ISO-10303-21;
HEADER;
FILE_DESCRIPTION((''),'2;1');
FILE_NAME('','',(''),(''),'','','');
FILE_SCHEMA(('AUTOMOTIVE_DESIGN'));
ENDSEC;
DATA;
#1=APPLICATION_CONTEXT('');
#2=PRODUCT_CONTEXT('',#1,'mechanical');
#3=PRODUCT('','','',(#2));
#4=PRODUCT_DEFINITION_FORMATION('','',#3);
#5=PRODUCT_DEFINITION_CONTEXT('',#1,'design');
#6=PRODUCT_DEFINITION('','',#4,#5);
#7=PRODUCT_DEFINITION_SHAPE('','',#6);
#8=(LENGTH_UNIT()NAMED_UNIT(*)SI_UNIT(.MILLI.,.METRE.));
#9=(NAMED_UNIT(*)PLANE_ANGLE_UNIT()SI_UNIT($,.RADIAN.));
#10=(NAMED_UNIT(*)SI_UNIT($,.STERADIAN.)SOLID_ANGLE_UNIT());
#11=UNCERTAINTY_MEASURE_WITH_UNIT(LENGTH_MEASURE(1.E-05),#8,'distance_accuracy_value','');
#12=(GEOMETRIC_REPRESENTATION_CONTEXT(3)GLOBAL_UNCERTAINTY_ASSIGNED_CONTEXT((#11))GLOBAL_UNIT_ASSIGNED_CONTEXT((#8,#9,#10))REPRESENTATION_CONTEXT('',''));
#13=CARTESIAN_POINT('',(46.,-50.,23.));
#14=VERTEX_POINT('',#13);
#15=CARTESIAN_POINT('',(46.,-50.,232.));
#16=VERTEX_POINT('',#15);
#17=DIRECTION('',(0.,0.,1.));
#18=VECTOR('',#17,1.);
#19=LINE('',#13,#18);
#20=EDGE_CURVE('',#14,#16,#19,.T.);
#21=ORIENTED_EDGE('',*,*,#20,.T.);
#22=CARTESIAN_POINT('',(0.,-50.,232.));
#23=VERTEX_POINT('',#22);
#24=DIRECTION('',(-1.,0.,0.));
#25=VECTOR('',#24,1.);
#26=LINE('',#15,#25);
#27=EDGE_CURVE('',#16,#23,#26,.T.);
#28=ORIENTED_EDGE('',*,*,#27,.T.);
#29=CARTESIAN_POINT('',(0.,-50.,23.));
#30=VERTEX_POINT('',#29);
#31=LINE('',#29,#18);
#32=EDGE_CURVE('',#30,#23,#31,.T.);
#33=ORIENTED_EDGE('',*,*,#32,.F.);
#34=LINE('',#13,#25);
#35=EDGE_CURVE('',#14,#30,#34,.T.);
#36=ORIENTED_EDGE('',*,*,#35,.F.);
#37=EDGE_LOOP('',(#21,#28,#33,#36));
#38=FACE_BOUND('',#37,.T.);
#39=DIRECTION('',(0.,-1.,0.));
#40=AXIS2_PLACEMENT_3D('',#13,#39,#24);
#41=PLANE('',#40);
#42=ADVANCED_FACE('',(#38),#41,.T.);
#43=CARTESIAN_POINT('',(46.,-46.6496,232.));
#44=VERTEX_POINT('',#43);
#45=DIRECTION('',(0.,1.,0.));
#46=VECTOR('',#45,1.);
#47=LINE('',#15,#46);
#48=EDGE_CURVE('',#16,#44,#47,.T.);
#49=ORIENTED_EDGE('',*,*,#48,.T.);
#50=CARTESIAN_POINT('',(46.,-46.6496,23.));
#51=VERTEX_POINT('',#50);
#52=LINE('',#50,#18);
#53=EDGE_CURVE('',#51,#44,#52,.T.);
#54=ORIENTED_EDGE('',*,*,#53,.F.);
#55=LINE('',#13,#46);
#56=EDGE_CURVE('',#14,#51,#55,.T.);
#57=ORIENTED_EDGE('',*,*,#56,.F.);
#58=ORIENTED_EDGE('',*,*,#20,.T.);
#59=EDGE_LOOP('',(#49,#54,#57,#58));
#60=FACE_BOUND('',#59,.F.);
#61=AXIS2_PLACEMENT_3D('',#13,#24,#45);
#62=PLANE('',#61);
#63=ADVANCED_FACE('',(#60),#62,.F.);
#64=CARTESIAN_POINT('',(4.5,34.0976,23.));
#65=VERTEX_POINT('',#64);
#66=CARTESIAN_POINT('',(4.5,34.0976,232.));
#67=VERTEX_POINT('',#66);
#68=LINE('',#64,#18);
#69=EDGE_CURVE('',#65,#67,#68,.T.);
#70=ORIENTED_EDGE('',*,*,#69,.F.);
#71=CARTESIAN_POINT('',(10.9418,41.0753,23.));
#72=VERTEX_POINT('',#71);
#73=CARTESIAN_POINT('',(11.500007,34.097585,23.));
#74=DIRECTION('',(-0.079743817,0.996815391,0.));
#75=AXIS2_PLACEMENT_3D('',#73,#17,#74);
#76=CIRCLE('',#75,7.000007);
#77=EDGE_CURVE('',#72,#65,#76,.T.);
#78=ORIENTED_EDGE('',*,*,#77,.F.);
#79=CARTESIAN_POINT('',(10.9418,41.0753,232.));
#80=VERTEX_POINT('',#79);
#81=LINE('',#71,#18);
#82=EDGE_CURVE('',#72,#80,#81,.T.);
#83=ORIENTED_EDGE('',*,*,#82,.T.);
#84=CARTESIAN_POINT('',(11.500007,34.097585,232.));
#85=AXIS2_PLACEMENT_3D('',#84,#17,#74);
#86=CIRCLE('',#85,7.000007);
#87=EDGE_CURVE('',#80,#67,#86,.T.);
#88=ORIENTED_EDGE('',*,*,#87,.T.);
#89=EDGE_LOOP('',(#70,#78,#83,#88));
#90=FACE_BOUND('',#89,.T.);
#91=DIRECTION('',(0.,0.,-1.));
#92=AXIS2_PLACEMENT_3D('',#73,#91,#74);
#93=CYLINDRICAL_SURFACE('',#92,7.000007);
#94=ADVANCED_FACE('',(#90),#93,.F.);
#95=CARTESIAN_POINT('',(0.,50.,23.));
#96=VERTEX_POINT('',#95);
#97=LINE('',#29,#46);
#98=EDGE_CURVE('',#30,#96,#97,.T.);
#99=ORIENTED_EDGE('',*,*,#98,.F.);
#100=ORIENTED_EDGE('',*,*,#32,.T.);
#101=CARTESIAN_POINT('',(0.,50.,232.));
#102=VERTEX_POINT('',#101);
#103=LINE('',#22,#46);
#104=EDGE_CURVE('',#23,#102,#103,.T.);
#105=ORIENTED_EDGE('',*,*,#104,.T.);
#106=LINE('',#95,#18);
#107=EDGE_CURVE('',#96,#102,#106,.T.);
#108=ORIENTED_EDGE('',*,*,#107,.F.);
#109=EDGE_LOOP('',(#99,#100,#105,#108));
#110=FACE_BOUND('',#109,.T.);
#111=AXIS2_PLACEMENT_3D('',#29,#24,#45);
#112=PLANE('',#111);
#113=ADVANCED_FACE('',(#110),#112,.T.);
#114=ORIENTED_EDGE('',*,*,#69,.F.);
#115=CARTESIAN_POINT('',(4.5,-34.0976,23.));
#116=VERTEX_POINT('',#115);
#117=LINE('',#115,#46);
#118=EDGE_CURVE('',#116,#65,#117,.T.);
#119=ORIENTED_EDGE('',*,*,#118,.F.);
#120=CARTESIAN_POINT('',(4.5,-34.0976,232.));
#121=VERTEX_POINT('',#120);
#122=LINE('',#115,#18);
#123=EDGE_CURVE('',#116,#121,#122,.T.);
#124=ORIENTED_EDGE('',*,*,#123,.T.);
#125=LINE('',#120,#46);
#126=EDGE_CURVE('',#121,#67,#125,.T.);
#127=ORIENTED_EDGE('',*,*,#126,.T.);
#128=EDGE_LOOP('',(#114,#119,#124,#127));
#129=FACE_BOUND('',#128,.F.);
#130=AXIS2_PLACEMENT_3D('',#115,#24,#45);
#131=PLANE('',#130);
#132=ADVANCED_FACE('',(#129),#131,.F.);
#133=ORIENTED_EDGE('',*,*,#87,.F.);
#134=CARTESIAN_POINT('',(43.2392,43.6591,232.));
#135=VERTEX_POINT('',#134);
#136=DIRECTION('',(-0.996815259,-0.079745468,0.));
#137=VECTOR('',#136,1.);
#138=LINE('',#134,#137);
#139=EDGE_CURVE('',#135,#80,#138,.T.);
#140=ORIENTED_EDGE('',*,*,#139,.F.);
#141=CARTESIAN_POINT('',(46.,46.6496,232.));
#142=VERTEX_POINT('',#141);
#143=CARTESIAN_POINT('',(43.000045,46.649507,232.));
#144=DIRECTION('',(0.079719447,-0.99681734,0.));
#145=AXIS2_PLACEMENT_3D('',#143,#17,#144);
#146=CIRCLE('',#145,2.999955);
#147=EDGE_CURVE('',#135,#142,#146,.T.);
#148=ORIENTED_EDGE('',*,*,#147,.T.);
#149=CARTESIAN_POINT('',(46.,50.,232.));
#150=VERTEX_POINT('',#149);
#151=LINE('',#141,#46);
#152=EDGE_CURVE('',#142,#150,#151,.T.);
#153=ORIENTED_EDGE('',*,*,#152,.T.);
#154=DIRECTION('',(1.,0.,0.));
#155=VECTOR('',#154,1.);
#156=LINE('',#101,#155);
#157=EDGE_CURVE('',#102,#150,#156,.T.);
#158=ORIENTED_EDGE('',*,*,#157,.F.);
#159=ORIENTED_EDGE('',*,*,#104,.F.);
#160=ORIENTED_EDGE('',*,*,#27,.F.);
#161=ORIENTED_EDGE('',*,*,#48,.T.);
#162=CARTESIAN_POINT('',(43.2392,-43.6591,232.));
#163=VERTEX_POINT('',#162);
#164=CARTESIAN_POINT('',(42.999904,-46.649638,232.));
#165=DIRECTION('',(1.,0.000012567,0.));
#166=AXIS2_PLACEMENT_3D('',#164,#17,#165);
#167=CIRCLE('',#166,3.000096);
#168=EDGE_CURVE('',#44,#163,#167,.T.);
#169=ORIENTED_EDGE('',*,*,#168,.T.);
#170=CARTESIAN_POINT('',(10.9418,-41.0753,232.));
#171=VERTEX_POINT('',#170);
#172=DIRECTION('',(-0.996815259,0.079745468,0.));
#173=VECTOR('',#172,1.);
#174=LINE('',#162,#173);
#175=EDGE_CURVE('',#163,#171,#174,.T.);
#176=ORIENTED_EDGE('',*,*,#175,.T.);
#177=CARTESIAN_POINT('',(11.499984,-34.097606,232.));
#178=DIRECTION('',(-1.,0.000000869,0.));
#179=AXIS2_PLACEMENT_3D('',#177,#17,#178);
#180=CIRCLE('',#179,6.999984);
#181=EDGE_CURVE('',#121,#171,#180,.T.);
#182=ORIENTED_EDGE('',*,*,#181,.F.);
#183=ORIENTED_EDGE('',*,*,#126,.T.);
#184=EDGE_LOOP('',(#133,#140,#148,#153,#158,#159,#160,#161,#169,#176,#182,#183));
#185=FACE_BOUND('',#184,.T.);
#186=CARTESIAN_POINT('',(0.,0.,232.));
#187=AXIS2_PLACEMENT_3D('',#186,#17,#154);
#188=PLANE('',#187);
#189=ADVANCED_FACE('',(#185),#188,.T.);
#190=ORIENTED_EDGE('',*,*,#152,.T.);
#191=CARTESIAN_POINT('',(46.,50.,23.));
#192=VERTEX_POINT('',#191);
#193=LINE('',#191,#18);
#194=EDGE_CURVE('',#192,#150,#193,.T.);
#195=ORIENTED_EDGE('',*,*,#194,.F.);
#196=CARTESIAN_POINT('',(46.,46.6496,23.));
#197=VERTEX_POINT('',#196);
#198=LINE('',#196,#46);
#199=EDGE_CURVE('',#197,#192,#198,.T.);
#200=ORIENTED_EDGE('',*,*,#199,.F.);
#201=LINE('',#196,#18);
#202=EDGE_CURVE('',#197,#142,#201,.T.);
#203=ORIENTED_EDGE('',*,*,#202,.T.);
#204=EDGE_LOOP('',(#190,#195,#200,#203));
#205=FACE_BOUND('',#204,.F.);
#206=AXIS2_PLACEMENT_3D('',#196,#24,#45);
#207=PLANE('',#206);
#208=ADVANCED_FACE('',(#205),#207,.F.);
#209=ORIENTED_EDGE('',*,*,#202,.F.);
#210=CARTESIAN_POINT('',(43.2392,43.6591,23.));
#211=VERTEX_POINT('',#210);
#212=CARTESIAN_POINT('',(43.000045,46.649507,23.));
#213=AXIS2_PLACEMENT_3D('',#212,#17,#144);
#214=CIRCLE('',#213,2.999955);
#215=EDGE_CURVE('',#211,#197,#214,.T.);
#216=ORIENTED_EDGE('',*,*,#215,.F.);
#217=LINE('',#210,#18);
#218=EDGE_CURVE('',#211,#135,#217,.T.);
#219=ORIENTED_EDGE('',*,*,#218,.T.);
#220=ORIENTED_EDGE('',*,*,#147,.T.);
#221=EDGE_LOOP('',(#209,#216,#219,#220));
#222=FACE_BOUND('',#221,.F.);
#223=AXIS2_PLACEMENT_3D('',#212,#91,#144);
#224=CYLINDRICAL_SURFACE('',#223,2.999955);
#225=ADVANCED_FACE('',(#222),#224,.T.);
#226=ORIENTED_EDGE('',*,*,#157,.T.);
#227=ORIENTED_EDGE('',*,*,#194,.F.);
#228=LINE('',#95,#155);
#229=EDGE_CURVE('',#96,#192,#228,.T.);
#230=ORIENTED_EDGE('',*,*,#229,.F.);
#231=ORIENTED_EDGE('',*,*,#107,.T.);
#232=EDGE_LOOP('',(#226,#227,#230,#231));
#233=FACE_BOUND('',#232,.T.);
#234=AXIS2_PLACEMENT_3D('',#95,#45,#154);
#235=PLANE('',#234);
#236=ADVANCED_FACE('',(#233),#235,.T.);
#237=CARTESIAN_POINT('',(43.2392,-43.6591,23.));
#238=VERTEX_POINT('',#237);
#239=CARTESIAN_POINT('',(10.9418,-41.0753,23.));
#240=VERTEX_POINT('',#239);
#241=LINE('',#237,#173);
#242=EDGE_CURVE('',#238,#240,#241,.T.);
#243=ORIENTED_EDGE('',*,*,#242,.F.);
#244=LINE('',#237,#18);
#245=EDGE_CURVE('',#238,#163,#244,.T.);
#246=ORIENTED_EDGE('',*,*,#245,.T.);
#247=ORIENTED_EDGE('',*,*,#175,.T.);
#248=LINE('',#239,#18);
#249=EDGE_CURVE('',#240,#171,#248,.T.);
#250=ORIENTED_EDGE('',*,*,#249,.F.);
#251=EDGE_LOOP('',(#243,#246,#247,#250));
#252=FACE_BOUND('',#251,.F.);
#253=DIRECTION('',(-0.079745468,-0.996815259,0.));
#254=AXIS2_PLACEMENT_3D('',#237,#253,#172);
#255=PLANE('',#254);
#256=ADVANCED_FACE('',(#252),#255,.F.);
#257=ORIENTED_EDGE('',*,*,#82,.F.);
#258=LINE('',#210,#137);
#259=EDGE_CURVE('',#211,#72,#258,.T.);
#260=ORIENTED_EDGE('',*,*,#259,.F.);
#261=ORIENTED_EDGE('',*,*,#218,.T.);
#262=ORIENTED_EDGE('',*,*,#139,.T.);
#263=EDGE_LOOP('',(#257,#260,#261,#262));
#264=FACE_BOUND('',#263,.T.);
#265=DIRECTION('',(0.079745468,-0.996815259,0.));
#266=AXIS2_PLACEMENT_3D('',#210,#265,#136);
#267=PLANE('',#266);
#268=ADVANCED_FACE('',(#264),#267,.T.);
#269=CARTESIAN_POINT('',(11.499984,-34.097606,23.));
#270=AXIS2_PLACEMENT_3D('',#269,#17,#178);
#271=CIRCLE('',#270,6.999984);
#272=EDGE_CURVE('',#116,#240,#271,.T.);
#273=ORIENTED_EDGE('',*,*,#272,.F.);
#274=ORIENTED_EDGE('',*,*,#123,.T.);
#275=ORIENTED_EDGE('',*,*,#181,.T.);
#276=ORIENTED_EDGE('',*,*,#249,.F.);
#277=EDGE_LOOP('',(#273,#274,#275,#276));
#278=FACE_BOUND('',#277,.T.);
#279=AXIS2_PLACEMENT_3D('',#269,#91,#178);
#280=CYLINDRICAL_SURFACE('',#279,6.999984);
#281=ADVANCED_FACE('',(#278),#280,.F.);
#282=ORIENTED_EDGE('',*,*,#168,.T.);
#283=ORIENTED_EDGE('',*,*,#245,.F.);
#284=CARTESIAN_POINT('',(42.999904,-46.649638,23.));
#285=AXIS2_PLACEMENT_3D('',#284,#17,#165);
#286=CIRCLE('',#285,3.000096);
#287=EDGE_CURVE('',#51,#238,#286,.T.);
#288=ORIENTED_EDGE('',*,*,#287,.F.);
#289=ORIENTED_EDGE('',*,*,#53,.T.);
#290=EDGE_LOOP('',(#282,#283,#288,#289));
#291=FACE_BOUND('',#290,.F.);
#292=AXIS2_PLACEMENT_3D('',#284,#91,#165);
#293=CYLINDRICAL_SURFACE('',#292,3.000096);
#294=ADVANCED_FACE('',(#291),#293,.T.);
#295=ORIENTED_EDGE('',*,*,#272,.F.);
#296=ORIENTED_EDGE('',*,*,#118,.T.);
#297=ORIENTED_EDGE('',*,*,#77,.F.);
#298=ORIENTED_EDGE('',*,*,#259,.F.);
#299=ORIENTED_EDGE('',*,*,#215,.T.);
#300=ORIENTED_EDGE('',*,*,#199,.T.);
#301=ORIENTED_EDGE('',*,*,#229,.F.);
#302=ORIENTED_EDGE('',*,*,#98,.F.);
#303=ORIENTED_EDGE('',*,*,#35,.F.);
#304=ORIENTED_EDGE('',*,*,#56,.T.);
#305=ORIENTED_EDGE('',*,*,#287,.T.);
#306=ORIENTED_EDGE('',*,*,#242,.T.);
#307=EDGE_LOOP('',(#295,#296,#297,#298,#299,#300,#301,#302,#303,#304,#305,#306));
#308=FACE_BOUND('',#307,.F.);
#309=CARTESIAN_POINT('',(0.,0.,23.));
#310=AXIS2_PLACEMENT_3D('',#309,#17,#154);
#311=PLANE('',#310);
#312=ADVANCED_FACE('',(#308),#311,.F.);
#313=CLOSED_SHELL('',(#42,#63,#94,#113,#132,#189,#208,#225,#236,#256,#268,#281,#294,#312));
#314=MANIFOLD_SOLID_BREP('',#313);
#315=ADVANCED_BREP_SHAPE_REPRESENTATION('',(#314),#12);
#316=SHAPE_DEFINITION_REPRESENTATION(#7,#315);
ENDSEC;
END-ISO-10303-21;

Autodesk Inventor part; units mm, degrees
ref_plane "Начальная плоскость" through (0, 0, 23) normal (0, 0, 1) x (1, 0, 0)
ref_plane "Конечная плоскость" through (0, 0, 232) normal (0, 0, 1) x (1, 0, 0)
sketch "Эскиз" plane through (0, 0, 0) normal (0, 0, 1) x (1, 0, 0)
  line L0 (46, -50) -> (0, -50)
  line L1 (46, -50) -> (46, -46.6496)
  line L2 (43.2392, -43.6591) -> (10.9418, -41.0753)
  line L3 (4.5, -34.0976) -> (4.5, 34.0976)
  line L4 (43.2392, 43.6591) -> (10.9418, 41.0753)
  line L5 (46, 46.6496) -> (46, 50)
  line L6 (0, 50) -> (46, 50)
  line L7 (0, -50) -> (0, 50)
  arc A0 (4.5, -34.0976) -> (10.9418, -41.0753) centre (11.5, -34.0976) ccw
  arc A1 (10.9418, 41.0753) -> (4.5, 34.0976) centre (11.5, 34.0976) ccw
  arc A2 (46, -46.6496) -> (43.2392, -43.6591) centre (43, -46.6496) ccw
  arc A3 (43.2392, 43.6591) -> (46, 46.6496) centre (43, 46.6496) ccw
  line L8 (0, 70) -> (0, -70) construction
  line L9 (-9.3169, 0) -> (55.9016, 0) construction
  point P0 (46, -43.88)
  point P1 (4.5, -40.56)
  point P2 (4.5, 40.56)
  point P3 (46, 43.88)
  dimension "d3" = 46
  dimension "d5" = 4.5
  dimension "d7" = 100
  dimension "d9" = 9.44
  dimension "d11" = 9.44
  dimension "d13" = 6.12
  dimension "d15" = 6.12
  dimension "d22" = 7
  dimension "d23" = 3
  dimension "d24" = 50
  dimension "d25" = 0
extrude "Тело" add sketch "Эскиз" along normal up to surface (209 mm away) from surface at 23
sketch "Sketch3" plane through (0, 0, 0) normal (0, 0, 1) x (1, 0, 0)
  line L0 (0, 0) -> (10, 0)
ref_plane "Work Plane7" through (0, 0, 0) normal (0, -1, 0) x (1, 0, 0)
sketch "Sketch4" plane through (0, 0, 0) normal (0, -1, 0) x (1, 0, 0)
  line L0 (-2, 23) -> (12, 23)
  line L1 (-2, 232) -> (12, 232)
  dimension "d29" = 209
ref_plane "РабПлоскость8" through (385.5, -50, 232) normal (0, 0, 1) x (1, 0, 0)
split "Разделение1" plane through (385.5, -50, 232) removes the side toward (0, 0, 1)
ref_plane "РабПлоскость9" through (-264.5, -50, 23) normal (0, 0, -1) x (-1, 0, 0)
split "Разделение2" plane through (-264.5, -50, 23) removes the side toward (0, 0, -1)
equation "\"d3\" = b"
equation "\"d5\" = t1"
equation "\"d7\" = ParH"
equation "\"d9\" = msp_x1 + t2"
equation "\"d11\" = msp_x1 + t2"
equation "\"d13\" = -msp_x2 + t2"
equation "\"d15\" = -msp_x2 + t2"
equation "\"d22\" = R"
equation "\"d23\" = R1"
equation "\"d24\" = 0.5 * d7"
equation "\"d16\" = G_L"
equation "\"R1\" = 3"
equation "\"R\" = 7"
equation "\"t1\" = 4.5"
equation "\"t2\" = 7.6"
equation "\"ParH\" = 100"
equation "\"b\" = 46"
equation "\"msp_x1\" = 0.04 * b"
equation "\"msp_x2\" = -0.08 * t1 + 0.04 * b"
equation "\"G_L\" = d29"
equation "\"ex\" = 0"
equation "\"G_OFFSET_START\" = -23"
equation "\"G_OFFSET_END\" = -23"
equation "\"d26\" = -G_OFFSET_START"
equation "\"d27\" = G_OFFSET_END + B_L"
equation "\"B_L\" = 255"
properties part number "Швеллер 10U-209 ГОСТ 8240-97" material "Сталь, мягкая, сварочная"
